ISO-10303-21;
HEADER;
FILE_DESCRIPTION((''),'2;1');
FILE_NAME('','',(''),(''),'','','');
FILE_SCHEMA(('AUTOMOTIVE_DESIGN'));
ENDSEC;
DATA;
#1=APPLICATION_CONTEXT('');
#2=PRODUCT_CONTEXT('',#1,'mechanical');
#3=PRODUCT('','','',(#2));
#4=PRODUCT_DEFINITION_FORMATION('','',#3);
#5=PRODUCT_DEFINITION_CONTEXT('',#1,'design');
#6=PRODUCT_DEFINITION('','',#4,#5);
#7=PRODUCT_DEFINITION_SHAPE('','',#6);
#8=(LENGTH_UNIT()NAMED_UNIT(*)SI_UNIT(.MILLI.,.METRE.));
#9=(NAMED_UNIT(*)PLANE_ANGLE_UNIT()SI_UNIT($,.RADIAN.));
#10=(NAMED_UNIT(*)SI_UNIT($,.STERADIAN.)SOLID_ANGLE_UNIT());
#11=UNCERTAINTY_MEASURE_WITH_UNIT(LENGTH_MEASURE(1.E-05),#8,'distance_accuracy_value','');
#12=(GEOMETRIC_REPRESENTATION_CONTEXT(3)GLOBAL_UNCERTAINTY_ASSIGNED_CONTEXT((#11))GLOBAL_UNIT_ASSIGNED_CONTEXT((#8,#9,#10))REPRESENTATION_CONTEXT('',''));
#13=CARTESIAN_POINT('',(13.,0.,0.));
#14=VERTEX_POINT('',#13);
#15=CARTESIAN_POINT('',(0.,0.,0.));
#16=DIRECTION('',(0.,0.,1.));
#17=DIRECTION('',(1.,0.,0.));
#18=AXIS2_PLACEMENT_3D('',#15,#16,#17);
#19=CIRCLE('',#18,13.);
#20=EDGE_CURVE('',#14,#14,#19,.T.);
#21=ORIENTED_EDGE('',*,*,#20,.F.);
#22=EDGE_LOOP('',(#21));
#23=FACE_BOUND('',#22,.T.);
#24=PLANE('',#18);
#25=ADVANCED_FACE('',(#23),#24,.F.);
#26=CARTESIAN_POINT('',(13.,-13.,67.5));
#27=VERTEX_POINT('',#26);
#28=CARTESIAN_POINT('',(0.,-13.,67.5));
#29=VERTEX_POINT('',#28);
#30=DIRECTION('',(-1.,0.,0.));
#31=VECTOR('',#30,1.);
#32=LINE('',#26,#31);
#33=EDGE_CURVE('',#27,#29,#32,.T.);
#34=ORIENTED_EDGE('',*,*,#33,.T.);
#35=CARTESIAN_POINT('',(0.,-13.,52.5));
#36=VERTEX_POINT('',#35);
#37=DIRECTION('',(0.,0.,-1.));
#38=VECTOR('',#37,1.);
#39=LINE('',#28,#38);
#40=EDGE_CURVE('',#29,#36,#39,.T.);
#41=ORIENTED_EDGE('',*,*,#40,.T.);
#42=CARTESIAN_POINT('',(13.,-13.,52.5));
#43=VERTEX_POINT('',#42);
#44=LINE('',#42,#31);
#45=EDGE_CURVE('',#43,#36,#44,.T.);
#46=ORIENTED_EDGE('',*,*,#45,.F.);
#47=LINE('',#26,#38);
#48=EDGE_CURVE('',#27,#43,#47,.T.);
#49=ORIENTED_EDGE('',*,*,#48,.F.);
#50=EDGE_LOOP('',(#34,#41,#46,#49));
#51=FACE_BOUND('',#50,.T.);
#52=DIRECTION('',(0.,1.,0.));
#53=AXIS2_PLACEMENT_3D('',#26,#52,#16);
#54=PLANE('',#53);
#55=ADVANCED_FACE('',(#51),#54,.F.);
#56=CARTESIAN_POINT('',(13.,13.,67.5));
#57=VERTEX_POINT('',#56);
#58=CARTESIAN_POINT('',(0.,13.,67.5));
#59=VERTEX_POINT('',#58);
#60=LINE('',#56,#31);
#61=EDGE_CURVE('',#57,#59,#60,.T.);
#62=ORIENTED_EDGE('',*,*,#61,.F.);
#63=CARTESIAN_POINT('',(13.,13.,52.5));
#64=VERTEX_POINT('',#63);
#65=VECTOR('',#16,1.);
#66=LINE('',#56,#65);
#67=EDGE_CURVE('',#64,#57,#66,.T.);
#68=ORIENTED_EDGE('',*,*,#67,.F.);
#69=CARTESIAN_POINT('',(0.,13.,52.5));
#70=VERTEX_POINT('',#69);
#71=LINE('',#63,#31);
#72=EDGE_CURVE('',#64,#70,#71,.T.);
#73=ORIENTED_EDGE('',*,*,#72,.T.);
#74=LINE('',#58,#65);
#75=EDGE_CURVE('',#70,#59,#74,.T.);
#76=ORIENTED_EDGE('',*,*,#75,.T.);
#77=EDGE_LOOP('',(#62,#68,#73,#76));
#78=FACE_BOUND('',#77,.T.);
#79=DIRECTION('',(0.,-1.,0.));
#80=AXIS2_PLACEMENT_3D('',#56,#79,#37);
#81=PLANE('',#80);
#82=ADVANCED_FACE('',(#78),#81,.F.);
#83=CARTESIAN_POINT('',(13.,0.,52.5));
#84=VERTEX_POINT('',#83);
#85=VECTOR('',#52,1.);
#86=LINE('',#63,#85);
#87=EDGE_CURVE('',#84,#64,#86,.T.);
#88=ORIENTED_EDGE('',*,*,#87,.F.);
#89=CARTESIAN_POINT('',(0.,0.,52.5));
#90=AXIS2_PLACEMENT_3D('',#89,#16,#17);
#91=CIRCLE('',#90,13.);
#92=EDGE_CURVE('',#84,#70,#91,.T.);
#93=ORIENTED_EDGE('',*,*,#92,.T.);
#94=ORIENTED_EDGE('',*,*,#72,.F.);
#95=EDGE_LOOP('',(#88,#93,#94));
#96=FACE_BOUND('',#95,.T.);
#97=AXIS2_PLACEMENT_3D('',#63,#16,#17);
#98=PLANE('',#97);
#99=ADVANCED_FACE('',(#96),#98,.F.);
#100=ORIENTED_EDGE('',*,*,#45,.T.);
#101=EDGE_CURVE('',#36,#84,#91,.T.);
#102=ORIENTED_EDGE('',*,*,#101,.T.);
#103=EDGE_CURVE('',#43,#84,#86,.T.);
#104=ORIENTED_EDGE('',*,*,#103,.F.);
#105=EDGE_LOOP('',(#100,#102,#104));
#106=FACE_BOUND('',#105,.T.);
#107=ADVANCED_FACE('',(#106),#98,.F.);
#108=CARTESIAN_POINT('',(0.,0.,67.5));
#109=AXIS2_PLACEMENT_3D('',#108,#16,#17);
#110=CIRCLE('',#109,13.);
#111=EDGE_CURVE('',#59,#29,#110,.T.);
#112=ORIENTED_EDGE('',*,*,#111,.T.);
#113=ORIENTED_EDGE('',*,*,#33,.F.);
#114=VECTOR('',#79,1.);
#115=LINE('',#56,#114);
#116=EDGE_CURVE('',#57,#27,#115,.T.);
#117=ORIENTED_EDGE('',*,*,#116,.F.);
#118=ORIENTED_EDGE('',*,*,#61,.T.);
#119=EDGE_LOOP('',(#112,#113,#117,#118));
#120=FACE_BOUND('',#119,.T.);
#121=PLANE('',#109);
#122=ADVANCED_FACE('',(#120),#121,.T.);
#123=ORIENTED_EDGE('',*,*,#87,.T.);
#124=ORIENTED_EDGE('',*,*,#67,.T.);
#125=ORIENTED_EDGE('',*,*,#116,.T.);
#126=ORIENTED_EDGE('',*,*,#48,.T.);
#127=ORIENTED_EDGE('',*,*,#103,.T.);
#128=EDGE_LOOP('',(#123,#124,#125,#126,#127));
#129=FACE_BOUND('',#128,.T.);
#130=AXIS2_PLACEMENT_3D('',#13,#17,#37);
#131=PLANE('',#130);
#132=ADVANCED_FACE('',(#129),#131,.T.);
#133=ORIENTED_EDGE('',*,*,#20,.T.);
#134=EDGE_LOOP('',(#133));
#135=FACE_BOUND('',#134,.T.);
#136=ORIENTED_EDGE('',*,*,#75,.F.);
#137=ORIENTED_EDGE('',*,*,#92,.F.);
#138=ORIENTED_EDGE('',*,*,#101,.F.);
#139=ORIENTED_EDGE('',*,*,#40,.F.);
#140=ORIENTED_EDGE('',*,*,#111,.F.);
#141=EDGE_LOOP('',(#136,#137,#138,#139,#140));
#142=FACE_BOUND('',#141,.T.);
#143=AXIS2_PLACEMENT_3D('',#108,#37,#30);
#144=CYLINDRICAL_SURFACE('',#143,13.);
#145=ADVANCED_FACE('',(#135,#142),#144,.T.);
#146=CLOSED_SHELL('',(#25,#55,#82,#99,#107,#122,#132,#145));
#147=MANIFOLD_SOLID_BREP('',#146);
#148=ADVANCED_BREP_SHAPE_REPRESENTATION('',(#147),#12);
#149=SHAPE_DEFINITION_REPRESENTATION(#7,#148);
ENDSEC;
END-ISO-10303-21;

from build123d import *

# Parameters (mm, degrees)
SKETCH1_R           = 13
BOSS_EXTRUDE1_DEPTH = 67.5
SKETCH2_W           = 15
SKETCH2_H           = 26
BOSS_EXTRUDE2_DEPTH = 13


with BuildPart() as part:
    # Sketch1 → Boss-Extrude1 (new body)
    with BuildSketch(Plane.XY):
        Circle(SKETCH1_R)
    extrude(amount=BOSS_EXTRUDE1_DEPTH)

    # Sketch2 → Boss-Extrude2 (add)
    with BuildSketch(Plane(origin=(0, 0, 0), x_dir=(0, 0, -1), z_dir=(1, 0, 0))):
        with Locations((-60, 0)):
            Rectangle(SKETCH2_W, SKETCH2_H)
    extrude(amount=BOSS_EXTRUDE2_DEPTH)


solid = part.part
